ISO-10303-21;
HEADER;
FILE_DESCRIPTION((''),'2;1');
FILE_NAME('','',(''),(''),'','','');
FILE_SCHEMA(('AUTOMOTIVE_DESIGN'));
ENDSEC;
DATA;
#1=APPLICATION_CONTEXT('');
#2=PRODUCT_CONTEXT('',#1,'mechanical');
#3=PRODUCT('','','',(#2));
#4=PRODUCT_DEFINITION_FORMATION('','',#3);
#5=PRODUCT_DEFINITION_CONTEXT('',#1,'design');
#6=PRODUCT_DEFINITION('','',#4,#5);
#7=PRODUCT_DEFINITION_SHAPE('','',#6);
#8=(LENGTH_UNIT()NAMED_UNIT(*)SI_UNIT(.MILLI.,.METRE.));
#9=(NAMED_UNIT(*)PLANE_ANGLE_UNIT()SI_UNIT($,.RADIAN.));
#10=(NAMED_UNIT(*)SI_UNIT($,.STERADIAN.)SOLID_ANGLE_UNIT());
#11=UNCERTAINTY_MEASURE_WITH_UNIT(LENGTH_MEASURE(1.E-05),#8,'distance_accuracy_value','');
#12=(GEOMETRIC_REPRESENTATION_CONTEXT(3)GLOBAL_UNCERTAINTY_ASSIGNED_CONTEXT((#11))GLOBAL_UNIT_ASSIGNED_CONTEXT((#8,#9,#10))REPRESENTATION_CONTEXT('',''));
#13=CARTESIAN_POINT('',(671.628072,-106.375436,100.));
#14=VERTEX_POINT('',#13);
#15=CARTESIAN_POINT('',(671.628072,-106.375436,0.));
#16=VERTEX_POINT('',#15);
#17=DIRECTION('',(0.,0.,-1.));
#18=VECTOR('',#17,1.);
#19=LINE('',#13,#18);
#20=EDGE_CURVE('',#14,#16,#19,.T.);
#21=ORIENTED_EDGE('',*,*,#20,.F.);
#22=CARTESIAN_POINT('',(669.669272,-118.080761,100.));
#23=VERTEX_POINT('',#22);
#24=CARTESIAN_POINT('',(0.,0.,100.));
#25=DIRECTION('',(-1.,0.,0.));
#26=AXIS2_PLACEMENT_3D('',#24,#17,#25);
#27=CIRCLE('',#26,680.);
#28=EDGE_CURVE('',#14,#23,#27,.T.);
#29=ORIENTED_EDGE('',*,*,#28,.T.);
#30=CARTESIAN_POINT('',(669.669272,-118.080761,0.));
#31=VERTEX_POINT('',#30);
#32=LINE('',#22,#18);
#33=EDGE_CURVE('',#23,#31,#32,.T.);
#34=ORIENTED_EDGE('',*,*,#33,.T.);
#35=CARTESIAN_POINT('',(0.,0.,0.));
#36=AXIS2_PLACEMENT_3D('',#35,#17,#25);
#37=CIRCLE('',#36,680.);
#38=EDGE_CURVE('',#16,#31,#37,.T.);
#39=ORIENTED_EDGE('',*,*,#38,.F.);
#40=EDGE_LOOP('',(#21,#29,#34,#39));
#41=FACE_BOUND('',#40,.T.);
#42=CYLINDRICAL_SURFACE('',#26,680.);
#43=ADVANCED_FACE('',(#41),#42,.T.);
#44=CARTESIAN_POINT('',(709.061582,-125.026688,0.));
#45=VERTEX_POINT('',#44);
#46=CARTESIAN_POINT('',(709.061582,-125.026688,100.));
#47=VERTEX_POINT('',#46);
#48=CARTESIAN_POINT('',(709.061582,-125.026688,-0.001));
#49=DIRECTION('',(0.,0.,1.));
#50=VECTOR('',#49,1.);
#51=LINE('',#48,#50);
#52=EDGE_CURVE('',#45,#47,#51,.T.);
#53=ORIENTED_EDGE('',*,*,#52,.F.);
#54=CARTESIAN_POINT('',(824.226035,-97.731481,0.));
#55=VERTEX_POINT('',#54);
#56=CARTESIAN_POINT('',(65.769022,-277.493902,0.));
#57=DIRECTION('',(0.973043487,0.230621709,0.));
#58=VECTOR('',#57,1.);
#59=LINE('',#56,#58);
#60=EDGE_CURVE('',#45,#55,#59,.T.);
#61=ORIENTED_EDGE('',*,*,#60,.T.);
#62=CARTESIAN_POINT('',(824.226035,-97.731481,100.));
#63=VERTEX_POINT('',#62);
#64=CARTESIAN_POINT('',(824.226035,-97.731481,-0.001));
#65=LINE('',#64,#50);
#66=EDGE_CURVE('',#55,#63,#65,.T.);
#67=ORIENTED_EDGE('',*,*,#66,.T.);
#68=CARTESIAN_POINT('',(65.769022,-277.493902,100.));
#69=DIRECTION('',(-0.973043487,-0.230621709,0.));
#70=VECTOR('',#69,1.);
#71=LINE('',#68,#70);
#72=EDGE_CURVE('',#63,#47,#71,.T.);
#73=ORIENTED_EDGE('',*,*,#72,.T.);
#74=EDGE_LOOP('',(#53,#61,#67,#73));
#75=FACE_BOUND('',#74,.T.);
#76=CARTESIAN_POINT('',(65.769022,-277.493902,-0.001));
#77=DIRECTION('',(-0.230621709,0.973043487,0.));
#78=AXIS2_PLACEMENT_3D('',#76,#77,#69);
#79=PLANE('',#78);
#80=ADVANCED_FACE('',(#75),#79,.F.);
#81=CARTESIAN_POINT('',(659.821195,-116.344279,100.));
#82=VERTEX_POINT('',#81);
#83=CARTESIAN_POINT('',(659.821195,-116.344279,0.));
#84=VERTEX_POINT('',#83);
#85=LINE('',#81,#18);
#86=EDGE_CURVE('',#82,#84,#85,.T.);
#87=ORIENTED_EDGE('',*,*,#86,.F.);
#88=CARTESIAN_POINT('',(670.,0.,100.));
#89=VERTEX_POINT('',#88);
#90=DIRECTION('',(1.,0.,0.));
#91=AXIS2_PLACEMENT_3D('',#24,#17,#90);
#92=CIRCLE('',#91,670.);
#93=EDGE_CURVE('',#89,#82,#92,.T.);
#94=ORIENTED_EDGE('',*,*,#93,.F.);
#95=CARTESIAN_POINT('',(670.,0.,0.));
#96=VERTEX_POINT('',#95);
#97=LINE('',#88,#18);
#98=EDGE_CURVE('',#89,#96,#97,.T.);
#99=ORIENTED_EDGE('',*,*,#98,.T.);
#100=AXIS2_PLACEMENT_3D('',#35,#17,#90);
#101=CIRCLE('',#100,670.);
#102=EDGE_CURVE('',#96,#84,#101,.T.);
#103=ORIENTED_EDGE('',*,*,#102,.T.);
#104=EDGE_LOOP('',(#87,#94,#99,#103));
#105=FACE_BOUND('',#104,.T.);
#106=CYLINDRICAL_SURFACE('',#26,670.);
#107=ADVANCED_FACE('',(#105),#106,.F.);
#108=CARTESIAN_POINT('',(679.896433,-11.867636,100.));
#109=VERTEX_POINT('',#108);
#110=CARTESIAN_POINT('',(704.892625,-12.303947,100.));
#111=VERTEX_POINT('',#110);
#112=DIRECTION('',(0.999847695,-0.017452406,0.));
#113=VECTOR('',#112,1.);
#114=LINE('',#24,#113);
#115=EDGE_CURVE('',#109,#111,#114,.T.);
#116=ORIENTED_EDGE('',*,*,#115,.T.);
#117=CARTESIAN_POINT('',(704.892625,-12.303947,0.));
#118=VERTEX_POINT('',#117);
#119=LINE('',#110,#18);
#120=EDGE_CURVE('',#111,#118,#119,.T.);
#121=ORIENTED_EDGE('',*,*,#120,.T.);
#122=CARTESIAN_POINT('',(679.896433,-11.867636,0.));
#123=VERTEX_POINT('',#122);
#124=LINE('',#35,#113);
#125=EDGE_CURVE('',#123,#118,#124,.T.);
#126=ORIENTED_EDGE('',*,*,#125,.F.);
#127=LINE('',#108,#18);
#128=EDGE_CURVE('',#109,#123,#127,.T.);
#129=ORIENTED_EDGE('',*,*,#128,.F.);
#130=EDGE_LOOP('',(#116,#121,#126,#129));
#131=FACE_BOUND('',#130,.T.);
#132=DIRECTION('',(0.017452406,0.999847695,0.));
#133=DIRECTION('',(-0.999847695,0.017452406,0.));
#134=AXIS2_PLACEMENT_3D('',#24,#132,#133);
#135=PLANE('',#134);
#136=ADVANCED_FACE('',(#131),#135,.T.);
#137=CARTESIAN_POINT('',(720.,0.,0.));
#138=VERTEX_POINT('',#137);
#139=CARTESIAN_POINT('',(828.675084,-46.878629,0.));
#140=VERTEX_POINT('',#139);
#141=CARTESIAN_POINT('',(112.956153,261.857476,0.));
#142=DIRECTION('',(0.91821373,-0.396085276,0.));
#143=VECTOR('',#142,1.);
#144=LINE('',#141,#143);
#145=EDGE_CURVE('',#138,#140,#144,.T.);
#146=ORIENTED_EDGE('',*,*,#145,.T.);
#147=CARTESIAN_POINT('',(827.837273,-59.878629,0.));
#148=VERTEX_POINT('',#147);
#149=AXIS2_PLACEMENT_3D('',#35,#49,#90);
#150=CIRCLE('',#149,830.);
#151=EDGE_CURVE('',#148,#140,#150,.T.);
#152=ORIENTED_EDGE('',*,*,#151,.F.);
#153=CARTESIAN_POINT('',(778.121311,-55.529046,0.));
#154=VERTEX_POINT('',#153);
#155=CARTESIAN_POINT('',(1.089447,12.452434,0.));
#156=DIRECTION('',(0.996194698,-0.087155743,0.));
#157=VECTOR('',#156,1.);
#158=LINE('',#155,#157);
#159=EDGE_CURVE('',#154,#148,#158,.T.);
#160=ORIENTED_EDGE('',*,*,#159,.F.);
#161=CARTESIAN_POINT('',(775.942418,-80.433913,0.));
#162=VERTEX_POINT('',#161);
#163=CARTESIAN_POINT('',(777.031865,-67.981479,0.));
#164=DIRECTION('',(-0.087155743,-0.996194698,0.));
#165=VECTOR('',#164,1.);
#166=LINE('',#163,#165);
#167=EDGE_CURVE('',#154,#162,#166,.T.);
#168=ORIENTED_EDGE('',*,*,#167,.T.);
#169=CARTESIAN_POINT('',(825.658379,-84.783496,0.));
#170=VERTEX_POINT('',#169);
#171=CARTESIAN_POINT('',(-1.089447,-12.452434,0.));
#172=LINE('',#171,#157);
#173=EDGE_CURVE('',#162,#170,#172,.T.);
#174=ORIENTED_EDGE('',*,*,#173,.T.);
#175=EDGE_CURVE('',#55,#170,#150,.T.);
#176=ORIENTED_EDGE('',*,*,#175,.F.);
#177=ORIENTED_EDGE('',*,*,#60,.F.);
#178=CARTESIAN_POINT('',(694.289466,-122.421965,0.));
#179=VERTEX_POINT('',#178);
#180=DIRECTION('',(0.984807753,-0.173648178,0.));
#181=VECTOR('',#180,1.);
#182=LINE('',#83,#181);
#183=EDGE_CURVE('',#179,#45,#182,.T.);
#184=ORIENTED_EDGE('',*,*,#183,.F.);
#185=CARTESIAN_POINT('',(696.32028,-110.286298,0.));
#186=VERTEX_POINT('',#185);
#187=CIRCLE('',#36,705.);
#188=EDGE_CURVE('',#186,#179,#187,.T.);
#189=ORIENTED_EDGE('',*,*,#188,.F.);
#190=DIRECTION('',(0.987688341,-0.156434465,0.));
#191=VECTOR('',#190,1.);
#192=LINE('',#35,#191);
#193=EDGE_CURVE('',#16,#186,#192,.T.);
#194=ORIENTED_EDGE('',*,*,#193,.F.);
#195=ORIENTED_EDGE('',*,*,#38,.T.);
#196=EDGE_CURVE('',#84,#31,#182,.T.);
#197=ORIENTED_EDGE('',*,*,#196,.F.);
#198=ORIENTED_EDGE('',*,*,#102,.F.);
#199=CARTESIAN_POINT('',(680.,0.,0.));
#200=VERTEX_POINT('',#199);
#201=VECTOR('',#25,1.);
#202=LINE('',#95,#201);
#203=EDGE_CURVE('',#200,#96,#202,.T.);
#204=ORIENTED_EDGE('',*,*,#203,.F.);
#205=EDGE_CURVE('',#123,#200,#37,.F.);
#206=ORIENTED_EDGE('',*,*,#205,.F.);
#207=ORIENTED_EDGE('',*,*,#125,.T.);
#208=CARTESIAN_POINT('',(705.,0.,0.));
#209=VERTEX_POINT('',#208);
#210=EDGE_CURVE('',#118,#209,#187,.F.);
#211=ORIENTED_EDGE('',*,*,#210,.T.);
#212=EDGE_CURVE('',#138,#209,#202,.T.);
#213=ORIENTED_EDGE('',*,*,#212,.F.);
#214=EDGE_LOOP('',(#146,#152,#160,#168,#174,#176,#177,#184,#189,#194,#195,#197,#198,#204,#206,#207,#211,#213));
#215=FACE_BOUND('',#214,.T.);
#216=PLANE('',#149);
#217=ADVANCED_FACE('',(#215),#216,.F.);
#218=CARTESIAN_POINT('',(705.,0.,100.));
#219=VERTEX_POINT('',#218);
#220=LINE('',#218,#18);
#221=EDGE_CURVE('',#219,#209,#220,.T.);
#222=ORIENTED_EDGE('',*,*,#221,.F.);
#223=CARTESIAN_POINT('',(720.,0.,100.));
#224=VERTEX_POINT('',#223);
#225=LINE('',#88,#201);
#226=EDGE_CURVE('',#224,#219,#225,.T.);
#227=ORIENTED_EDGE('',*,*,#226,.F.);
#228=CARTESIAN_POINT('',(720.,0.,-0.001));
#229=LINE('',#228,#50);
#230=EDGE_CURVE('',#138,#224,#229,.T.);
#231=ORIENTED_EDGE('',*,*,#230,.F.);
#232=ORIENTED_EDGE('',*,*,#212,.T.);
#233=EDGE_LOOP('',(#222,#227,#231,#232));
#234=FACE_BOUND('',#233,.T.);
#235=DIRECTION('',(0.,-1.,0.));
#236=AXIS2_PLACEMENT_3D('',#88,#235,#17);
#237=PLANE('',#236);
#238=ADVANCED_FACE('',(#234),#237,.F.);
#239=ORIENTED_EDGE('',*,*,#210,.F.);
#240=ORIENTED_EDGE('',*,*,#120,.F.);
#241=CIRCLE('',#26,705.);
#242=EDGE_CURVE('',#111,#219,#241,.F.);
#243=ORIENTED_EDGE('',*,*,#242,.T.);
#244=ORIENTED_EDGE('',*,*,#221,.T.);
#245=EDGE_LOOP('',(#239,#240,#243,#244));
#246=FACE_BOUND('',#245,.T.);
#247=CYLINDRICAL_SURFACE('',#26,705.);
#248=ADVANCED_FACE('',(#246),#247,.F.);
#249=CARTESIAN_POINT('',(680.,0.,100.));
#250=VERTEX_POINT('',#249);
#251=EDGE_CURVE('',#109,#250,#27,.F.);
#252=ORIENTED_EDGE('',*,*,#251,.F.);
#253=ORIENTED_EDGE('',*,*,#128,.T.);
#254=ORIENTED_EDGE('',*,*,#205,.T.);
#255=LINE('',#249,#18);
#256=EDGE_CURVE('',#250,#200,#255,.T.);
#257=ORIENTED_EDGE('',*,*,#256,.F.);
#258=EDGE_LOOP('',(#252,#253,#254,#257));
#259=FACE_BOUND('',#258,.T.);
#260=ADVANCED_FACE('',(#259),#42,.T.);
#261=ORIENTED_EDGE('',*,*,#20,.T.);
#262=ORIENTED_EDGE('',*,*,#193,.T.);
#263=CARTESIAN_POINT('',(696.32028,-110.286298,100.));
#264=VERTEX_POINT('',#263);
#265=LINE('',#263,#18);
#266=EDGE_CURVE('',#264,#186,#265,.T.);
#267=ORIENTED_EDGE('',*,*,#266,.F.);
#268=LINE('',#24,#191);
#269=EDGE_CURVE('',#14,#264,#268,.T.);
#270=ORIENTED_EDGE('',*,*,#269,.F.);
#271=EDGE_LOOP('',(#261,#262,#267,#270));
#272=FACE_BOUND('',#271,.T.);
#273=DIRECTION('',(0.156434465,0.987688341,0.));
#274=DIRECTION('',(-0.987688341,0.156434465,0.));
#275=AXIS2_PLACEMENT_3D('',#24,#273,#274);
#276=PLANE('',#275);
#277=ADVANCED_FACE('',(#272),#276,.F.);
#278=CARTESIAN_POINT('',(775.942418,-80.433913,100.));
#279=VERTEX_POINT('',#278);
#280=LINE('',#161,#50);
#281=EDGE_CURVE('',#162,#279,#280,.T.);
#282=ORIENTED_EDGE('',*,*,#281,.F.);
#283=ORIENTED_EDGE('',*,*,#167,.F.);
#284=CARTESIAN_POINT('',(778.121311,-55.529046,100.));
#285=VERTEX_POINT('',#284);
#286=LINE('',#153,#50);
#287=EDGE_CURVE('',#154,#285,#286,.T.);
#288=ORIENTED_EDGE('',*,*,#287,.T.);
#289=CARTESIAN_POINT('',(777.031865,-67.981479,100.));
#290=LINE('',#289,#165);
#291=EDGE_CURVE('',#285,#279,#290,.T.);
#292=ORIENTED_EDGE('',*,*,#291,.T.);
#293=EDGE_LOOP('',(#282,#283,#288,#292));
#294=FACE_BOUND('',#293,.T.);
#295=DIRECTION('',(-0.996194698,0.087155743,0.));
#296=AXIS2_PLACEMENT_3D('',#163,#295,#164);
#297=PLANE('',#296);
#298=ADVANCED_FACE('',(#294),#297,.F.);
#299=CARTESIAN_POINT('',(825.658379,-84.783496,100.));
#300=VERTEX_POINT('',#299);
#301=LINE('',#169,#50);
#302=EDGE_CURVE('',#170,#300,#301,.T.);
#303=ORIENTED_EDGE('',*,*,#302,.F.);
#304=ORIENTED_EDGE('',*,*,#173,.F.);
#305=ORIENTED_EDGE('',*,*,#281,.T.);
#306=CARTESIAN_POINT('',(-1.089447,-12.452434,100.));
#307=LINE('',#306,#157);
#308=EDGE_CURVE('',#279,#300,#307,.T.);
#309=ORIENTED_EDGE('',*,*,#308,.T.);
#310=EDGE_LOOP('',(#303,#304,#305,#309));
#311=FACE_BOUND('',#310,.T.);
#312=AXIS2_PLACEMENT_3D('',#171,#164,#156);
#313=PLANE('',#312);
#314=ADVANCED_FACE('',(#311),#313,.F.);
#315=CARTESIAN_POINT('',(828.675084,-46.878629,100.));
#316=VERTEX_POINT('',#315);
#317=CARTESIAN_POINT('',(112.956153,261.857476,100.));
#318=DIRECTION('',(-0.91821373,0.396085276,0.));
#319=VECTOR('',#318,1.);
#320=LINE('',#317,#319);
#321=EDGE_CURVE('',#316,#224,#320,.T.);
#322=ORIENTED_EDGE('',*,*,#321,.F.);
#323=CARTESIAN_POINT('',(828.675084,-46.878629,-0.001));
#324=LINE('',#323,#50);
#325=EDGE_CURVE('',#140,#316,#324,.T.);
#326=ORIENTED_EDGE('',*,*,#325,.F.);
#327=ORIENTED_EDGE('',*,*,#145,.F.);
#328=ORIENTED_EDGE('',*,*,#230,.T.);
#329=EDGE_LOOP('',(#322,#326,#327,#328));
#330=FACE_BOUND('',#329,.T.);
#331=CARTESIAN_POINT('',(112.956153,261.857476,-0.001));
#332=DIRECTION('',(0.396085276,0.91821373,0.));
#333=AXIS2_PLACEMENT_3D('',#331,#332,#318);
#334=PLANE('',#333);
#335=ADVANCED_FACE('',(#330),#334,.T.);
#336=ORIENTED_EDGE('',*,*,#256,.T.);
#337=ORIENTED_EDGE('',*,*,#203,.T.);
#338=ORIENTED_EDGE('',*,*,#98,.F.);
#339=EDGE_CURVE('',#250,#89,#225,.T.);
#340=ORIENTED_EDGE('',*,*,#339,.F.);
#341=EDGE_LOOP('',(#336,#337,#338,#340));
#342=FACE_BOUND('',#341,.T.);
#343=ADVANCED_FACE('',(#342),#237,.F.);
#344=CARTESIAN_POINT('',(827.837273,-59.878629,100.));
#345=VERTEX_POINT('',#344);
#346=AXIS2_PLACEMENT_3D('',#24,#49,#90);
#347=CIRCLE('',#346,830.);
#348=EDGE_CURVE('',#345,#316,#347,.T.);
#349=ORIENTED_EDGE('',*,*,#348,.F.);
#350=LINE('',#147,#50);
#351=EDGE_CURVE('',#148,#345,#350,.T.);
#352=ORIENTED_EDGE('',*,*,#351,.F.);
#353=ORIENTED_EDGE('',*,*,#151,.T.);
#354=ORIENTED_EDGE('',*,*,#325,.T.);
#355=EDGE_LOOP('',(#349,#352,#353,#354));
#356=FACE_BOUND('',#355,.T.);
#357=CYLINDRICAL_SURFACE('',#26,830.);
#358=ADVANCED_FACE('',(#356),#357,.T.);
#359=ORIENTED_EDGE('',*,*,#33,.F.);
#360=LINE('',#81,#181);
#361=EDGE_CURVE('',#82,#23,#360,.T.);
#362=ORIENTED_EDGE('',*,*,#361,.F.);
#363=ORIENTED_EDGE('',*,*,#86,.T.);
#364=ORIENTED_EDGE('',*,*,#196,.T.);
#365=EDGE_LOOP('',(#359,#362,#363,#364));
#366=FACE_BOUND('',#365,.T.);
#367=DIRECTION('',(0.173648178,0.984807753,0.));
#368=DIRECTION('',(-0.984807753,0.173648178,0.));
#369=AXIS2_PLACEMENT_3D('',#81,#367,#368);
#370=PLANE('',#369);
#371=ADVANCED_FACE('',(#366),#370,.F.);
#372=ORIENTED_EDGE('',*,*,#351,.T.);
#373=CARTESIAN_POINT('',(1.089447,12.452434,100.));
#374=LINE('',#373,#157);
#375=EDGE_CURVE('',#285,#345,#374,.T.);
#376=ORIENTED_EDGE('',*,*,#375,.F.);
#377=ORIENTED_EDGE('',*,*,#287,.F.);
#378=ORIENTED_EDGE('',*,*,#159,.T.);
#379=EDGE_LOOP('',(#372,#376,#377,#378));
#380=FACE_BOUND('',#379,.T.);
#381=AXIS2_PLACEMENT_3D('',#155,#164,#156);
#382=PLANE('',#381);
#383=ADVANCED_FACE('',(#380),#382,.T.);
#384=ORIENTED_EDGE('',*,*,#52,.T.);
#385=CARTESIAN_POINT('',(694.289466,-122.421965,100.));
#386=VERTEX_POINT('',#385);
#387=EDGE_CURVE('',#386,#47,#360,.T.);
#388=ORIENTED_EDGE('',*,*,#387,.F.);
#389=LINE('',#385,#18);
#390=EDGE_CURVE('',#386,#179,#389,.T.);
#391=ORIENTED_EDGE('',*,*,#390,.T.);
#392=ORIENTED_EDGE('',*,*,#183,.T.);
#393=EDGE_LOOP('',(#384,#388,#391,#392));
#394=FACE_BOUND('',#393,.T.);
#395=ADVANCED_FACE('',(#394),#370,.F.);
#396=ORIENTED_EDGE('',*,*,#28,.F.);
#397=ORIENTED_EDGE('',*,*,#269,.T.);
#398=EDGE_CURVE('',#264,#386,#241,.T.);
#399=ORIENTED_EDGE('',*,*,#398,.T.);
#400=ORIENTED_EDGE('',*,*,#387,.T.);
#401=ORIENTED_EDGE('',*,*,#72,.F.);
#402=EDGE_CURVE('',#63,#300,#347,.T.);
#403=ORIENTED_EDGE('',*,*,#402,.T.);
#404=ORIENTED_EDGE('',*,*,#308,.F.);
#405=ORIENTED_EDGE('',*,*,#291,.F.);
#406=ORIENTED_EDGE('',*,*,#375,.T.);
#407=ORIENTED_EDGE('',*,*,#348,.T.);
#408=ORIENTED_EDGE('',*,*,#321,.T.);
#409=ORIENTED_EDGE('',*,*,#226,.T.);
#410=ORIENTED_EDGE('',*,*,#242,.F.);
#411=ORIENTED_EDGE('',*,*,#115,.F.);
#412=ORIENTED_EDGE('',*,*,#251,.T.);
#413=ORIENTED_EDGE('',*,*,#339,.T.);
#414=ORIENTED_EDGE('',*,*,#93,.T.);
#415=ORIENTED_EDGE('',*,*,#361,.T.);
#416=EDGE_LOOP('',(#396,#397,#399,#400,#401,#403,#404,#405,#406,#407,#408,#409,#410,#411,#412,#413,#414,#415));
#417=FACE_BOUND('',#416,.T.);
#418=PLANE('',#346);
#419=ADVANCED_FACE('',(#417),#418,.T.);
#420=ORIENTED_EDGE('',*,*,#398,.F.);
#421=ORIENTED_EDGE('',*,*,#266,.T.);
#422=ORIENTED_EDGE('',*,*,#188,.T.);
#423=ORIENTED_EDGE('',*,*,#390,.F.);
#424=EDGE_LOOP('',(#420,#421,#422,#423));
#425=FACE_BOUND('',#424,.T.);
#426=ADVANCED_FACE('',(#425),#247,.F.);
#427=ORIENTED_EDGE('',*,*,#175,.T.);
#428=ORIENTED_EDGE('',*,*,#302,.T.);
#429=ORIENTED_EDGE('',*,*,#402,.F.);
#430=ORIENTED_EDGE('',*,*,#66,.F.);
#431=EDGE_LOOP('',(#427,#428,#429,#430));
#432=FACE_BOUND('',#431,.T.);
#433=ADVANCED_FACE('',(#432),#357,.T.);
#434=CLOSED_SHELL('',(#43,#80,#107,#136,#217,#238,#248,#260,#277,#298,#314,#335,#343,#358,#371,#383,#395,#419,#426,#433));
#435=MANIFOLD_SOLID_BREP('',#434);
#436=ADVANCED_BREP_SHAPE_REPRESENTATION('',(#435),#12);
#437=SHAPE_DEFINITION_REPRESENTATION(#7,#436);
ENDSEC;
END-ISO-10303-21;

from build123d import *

# Parameters (mm, degrees)
EXTRUDE_1_DEPTH     = 100
CUT_EXTRUDE_1_DEPTH = 849.335356313
CUT_EXTRUDE_2_DEPTH = 849.335356313
CUT_EXTRUDE_3_REACH = 850.335


with BuildPart() as part:
    # 草图1 → 凸台-拉伸1 (new body)
    with BuildSketch(Plane.XY):
        with BuildLine():
            Line((670, 0), (830, 0))
            ThreePointArc((830, 0), (826.841599416, -72.339266481), (817.390435, -144.127987464))
            Line((817.390435, -144.127987464), (659.821194518, -116.344279037))
            ThreePointArc((659.821194518, -116.344279037), (667.450447721, -58.394347641), (670, 0))
        make_face()
    extrude(amount=EXTRUDE_1_DEPTH)

    # 草图3 → 切除-拉伸1 (cut, through all)
    with BuildSketch(Plane.XY.offset(100)):
        with BuildLine():
            Line((778.121311296, -55.529045617), (777.031864512, -67.981479343))
            Line((777.031864512, -67.981479343), (775.942417727, -80.433913069))
            Line((775.942417727, -80.433913069), (825.658378988, -84.783496076))
            ThreePointArc((825.658378988, -84.783496076), (826.841599416, -72.339266481), (827.837272557, -59.878628624))
            Line((827.837272557, -59.878628624), (778.121311296, -55.529045617))
        make_face()
    extrude(amount=-CUT_EXTRUDE_1_DEPTH, mode=Mode.SUBTRACT)

    # 草图6 → 切除-拉伸2 (cut, through all)
    with BuildSketch(Plane(origin=(0, 0, 0), x_dir=(-1, 0, 0), z_dir=(0, 0, -1))):
        with BuildLine():
            Line((-669.669272048, -118.080760814), (-694.289465874, -122.421965255))
            ThreePointArc((-694.289465874, -122.421965255), (-695.331349084, -116.358562132), (-696.32028012, -110.286297853))
            Line((-696.32028012, -110.286297853), (-671.628071605, -106.375436227))
            ThreePointArc((-671.628071605, -106.375436227), (-670.674209045, -112.232371985), (-669.669272048, -118.080760814))
        make_face()
        with BuildLine():
            Line((-679.896432706, -11.867636377), (-704.892625085, -12.303946538))
            ThreePointArc((-704.892625085, -12.303946538), (-704.97315576, -6.152207526), (-705, 0))
            Line((-705, 0), (-680, 0))
            ThreePointArc((-680, 0), (-679.974107684, -5.934044139), (-679.896432706, -11.867636377))
        make_face()
    extrude(amount=-CUT_EXTRUDE_2_DEPTH, mode=Mode.SUBTRACT)

    # 草图7 → 切除-拉伸3 (cut, up to next)
    with BuildSketch(Plane.XY.offset(100), mode=Mode.PRIVATE) as cut_extrude_3_sk1:
        with BuildLine():
            Line((720, 0), (828.675083599, -46.878628624))
            ThreePointArc((828.675083599, -46.878628624), (829.668704781, -23.44867387), (830, 0))
            Line((830, 0), (720, 0))
        make_face()
    cut_extrude_3_tool1 = extrude(cut_extrude_3_sk1.sketch, amount=-CUT_EXTRUDE_3_REACH, mode=Mode.PRIVATE) & part.part
    # 草图7 → 切除-拉伸3 (cut, up to next)
    with BuildSketch(Plane.XY.offset(100), mode=Mode.PRIVATE) as cut_extrude_3_sk2:
        with BuildLine():
            Line((824.226035489, -97.731481226), (709.061582169, -125.02668792))
            Line((709.061582169, -125.02668792), (817.390435, -144.127987464))
            ThreePointArc((817.390435, -144.127987464), (821.135992387, -120.978022827), (824.226035489, -97.731481226))
        make_face()
    cut_extrude_3_tool2 = extrude(cut_extrude_3_sk2.sketch, amount=-CUT_EXTRUDE_3_REACH, mode=Mode.PRIVATE) & part.part
    add(cut_extrude_3_tool1.solids().sort_by_distance((793.038059, -15.657488, 100))[0], mode=Mode.SUBTRACT)
    add(cut_extrude_3_tool2.solids().sort_by_distance((783.708923, -122.289998, 100))[0], mode=Mode.SUBTRACT)


solid = part.part
